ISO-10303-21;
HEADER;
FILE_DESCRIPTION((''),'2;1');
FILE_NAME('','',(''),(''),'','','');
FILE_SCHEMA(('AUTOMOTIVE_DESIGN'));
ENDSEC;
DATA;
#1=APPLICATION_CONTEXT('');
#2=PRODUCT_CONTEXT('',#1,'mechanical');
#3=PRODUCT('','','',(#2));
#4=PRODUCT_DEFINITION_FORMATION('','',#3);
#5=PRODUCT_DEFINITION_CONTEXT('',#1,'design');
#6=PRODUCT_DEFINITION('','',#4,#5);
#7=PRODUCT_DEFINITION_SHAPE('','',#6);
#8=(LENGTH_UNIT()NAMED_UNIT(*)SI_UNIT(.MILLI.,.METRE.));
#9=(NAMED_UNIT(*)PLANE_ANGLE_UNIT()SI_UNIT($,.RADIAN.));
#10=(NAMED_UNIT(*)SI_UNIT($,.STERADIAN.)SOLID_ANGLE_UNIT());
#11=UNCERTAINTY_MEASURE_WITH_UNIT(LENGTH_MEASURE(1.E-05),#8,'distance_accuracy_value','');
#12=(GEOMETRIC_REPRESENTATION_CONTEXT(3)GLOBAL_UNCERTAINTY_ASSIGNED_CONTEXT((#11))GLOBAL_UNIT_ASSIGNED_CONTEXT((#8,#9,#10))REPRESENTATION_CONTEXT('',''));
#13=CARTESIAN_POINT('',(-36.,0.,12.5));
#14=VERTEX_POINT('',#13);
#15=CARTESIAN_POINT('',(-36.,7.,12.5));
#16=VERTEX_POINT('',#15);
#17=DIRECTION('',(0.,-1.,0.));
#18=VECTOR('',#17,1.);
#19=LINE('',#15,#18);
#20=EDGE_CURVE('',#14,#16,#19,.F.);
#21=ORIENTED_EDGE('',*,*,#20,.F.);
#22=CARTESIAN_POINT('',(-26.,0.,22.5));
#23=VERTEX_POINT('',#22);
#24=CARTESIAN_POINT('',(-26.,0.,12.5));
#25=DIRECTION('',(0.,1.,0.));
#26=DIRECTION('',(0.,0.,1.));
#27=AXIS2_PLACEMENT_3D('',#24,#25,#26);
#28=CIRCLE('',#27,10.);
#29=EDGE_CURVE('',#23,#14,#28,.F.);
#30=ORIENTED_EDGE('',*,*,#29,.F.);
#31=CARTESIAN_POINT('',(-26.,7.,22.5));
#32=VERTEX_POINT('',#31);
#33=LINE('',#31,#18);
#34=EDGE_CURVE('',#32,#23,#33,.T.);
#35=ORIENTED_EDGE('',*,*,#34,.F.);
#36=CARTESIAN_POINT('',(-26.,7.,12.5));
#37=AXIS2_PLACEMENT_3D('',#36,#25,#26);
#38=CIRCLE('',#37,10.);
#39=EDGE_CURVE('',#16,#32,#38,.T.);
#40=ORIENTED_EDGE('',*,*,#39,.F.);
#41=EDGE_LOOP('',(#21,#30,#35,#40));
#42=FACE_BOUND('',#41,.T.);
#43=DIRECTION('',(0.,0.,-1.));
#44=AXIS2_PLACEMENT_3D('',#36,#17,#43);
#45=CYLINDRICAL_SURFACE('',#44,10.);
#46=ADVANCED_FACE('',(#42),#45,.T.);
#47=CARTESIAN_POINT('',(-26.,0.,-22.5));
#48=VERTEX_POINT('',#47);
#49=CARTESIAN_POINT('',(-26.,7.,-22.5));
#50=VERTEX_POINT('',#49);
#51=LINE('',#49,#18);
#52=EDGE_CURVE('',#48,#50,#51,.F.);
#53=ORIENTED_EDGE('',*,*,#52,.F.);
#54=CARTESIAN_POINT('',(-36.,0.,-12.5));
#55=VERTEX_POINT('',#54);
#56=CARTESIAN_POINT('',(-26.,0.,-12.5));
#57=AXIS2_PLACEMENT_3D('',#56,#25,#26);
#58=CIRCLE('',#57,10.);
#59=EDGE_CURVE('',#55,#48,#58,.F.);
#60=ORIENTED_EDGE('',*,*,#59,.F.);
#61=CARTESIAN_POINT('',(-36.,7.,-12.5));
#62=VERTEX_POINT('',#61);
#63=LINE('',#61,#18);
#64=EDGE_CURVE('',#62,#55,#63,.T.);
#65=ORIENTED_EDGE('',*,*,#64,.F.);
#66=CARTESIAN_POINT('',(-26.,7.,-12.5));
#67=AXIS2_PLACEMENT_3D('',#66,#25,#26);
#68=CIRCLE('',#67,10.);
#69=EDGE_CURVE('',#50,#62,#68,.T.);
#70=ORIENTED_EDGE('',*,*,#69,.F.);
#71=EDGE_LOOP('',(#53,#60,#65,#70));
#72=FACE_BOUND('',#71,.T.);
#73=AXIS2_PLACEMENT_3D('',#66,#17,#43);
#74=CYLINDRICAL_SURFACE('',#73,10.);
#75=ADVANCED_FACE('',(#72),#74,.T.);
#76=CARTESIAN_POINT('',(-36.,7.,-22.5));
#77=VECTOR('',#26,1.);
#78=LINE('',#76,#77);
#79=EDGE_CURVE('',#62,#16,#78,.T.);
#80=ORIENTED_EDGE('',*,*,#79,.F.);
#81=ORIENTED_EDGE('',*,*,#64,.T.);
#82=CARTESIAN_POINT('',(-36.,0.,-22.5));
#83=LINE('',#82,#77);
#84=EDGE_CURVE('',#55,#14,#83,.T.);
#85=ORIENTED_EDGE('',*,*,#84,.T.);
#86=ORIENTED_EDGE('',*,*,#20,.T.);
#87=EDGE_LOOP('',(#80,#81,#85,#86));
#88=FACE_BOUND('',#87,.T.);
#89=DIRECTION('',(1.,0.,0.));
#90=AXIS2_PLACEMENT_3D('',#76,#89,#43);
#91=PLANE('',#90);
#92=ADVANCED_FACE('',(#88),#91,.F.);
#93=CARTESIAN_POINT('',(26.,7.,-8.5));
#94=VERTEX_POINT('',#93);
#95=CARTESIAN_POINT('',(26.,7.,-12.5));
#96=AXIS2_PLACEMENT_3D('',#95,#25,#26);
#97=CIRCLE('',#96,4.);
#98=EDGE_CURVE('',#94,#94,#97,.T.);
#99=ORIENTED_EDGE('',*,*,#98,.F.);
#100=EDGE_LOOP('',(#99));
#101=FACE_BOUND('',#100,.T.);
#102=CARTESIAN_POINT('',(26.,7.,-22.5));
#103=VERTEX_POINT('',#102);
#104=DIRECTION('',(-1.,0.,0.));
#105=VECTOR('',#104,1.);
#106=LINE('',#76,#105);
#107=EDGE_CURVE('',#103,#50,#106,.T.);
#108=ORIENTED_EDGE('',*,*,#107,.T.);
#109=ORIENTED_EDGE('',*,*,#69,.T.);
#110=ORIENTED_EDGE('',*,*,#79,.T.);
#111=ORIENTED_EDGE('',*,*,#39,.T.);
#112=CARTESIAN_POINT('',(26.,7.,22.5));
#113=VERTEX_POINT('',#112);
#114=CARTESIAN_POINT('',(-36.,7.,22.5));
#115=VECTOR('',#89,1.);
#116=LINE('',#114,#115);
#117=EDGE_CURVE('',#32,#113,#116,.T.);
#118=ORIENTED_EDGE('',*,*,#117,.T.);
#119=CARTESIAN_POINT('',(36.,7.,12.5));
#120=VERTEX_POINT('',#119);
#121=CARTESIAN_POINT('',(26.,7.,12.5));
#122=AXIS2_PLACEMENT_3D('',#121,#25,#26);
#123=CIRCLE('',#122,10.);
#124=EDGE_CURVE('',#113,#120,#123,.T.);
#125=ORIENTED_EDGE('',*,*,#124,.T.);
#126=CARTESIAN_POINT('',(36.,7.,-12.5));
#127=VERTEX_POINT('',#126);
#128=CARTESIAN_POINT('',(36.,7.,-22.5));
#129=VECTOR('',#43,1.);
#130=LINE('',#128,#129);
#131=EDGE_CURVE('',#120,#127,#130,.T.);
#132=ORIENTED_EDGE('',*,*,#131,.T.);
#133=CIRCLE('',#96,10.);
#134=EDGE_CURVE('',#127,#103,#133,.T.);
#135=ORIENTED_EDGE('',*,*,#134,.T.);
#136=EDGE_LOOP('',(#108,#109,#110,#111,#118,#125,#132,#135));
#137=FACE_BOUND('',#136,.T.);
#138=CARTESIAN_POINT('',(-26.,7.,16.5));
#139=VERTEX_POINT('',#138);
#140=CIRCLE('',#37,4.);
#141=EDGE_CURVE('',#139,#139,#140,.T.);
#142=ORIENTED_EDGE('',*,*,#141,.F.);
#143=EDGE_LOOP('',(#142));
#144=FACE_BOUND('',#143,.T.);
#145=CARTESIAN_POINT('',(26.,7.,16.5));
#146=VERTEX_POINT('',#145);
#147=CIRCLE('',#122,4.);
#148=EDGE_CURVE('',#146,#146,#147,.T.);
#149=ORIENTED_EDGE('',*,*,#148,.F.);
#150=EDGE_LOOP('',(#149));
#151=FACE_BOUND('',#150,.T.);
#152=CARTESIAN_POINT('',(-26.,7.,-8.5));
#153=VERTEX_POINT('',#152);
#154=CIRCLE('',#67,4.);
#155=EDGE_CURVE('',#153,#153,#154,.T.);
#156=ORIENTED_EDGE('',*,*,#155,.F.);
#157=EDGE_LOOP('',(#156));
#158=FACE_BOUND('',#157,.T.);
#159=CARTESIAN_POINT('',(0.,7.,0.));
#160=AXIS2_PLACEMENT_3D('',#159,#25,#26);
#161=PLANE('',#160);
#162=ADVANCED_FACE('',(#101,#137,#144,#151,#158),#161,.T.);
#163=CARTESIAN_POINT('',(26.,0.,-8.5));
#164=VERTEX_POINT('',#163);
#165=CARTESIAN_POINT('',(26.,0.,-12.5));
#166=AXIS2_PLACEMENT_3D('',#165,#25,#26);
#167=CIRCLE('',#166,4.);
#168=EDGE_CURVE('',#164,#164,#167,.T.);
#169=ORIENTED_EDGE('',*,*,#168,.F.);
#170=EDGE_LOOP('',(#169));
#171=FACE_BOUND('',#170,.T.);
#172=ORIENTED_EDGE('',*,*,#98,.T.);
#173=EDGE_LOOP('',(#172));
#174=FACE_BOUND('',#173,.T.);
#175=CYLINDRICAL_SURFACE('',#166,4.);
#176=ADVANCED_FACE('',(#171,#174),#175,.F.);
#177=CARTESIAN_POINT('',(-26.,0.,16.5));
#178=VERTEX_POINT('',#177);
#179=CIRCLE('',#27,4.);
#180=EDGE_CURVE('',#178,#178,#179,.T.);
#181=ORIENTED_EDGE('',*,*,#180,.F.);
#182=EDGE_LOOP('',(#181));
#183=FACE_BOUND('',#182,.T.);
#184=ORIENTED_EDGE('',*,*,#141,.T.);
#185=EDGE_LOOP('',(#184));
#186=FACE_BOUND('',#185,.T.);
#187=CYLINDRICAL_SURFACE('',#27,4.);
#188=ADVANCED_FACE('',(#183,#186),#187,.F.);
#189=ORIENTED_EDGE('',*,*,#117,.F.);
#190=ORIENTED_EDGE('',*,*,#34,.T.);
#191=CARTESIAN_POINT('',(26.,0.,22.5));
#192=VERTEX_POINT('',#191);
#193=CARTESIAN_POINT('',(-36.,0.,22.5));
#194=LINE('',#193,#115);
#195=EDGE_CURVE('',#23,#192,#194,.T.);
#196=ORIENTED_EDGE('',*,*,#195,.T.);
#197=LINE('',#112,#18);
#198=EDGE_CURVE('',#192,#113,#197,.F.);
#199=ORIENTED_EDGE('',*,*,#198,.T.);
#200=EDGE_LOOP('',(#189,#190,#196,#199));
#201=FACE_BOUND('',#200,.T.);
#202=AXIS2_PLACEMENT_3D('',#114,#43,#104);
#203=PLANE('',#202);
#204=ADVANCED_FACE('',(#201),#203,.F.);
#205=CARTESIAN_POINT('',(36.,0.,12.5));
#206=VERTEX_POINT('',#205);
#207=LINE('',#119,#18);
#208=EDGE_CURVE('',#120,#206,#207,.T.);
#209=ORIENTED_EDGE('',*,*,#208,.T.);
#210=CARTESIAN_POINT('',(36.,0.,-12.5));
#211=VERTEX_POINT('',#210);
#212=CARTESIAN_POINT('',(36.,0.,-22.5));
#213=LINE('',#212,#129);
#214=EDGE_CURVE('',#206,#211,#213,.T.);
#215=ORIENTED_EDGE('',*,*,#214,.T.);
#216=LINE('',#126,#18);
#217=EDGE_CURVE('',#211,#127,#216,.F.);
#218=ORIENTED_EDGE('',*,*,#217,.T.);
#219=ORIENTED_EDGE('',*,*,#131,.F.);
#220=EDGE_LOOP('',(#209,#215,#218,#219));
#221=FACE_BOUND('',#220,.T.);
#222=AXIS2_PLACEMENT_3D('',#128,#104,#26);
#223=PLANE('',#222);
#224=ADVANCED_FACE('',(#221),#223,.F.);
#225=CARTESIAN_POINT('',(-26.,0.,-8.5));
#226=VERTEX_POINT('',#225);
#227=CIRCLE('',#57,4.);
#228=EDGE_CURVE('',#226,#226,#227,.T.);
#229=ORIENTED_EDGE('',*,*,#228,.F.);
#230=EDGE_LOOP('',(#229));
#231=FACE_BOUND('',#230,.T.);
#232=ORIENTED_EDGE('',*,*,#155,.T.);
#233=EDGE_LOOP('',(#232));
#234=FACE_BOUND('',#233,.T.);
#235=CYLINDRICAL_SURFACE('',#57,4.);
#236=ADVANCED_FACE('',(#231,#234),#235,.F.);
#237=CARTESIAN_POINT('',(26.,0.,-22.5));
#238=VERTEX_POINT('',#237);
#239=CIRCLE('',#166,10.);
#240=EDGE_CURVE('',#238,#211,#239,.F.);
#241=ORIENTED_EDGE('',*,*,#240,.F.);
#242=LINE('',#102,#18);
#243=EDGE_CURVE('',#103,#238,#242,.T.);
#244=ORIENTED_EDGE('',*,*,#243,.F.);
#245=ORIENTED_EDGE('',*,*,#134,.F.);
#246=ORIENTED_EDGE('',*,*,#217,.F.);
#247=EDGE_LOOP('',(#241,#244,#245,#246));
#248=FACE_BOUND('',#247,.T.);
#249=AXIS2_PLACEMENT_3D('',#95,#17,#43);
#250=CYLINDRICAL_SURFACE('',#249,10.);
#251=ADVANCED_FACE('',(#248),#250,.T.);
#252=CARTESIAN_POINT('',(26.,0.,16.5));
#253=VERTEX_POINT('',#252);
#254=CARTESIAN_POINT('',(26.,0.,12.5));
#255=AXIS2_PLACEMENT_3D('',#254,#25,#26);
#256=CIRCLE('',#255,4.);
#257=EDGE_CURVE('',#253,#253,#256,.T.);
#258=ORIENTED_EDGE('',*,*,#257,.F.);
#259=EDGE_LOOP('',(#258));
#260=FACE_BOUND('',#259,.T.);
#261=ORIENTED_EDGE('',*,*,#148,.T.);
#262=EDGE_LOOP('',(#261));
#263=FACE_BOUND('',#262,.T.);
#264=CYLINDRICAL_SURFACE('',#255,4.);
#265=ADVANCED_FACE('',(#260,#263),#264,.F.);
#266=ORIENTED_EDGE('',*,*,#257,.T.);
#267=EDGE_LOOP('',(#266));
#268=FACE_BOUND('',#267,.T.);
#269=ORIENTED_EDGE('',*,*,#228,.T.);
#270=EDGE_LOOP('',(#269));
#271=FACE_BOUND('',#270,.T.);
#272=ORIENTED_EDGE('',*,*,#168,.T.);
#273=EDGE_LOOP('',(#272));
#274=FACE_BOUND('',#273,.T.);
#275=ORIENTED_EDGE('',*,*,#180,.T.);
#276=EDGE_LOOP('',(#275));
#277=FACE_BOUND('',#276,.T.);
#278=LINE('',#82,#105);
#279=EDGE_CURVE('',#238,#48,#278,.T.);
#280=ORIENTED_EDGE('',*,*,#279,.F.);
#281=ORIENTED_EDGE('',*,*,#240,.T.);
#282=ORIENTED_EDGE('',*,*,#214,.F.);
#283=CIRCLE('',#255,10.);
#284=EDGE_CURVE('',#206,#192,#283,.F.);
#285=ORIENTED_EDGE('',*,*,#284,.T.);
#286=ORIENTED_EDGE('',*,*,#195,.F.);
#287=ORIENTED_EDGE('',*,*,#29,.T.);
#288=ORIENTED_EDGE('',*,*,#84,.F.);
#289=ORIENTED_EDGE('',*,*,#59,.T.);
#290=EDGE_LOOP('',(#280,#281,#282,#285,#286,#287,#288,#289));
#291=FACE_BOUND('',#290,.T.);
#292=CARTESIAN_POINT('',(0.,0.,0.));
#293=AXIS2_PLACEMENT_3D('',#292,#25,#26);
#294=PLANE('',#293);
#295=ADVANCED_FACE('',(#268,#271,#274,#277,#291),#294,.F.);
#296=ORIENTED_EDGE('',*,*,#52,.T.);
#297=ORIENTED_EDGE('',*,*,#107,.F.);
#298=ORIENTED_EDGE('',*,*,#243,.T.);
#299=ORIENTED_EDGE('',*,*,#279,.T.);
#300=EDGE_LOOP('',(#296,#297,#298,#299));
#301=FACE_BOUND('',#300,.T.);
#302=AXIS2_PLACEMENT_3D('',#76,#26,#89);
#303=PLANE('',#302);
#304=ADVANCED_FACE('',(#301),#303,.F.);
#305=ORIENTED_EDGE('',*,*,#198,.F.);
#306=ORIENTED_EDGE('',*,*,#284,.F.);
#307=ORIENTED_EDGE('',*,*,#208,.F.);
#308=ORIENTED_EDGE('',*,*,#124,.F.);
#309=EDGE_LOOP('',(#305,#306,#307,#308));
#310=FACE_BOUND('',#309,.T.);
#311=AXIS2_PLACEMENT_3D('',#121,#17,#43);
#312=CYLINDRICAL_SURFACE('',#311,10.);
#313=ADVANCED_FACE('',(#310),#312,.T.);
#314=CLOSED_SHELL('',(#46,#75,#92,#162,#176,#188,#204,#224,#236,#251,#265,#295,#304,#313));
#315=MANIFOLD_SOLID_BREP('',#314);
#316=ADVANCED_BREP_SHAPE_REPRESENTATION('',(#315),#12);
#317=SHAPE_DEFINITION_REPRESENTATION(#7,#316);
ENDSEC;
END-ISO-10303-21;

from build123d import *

# Parameters (mm, degrees)
CROQUIS1_W              = 72
CROQUIS1_H              = 45
SALIENTE_EXTRUIR1_DEPTH = 7
REDONDEO1_R             = 10
REDONDEO2_R             = 10
CROQUIS2_R              = 4
CORTAR_EXTRUIR1_DEPTH   = 7


with BuildPart() as part:
    # Croquis1 → Saliente-Extruir1 (new body)
    with BuildSketch(Plane(origin=(0, 0, 0), x_dir=(1, 0, 0), z_dir=(0, 1, 0))):
        Rectangle(CROQUIS1_W, CROQUIS1_H)
    extrude(amount=SALIENTE_EXTRUIR1_DEPTH)

    # Redondeo1
    redondeo1_edges = [part.edges().sort_by_distance(p)[0] for p in [
        (36, 3.5, 22.5),
    ]]
    fillet(redondeo1_edges, radius=REDONDEO1_R)

    # Redondeo2
    redondeo2_edges = [part.edges().sort_by_distance(p)[0] for p in [
        (-36, 3.5, 22.5),
        (-36, 3.5, -22.5),
        (36, 3.5, -22.5),
    ]]
    fillet(redondeo2_edges, radius=REDONDEO2_R)

    # Croquis2 → Cortar-Extruir1 (cut)
    with BuildSketch(Plane(origin=(0, 7, 0), x_dir=(1, 0, 0), z_dir=(0, 1, 0))):
        with Locations(Location((-26, 12.5, 0), (0, 0, 270))):
            Circle(CROQUIS2_R)
        with Locations(Location((-26, -12.5, 0), (0, 0, 270))):
            Circle(CROQUIS2_R)
        with Locations(Location((26, -12.5, 0), (0, 0, 270))):
            Circle(CROQUIS2_R)
        with Locations(Location((26, 12.5, 0), (0, 0, 270))):
            Circle(CROQUIS2_R)
    extrude(amount=-CORTAR_EXTRUIR1_DEPTH, mode=Mode.SUBTRACT)


solid = part.part
